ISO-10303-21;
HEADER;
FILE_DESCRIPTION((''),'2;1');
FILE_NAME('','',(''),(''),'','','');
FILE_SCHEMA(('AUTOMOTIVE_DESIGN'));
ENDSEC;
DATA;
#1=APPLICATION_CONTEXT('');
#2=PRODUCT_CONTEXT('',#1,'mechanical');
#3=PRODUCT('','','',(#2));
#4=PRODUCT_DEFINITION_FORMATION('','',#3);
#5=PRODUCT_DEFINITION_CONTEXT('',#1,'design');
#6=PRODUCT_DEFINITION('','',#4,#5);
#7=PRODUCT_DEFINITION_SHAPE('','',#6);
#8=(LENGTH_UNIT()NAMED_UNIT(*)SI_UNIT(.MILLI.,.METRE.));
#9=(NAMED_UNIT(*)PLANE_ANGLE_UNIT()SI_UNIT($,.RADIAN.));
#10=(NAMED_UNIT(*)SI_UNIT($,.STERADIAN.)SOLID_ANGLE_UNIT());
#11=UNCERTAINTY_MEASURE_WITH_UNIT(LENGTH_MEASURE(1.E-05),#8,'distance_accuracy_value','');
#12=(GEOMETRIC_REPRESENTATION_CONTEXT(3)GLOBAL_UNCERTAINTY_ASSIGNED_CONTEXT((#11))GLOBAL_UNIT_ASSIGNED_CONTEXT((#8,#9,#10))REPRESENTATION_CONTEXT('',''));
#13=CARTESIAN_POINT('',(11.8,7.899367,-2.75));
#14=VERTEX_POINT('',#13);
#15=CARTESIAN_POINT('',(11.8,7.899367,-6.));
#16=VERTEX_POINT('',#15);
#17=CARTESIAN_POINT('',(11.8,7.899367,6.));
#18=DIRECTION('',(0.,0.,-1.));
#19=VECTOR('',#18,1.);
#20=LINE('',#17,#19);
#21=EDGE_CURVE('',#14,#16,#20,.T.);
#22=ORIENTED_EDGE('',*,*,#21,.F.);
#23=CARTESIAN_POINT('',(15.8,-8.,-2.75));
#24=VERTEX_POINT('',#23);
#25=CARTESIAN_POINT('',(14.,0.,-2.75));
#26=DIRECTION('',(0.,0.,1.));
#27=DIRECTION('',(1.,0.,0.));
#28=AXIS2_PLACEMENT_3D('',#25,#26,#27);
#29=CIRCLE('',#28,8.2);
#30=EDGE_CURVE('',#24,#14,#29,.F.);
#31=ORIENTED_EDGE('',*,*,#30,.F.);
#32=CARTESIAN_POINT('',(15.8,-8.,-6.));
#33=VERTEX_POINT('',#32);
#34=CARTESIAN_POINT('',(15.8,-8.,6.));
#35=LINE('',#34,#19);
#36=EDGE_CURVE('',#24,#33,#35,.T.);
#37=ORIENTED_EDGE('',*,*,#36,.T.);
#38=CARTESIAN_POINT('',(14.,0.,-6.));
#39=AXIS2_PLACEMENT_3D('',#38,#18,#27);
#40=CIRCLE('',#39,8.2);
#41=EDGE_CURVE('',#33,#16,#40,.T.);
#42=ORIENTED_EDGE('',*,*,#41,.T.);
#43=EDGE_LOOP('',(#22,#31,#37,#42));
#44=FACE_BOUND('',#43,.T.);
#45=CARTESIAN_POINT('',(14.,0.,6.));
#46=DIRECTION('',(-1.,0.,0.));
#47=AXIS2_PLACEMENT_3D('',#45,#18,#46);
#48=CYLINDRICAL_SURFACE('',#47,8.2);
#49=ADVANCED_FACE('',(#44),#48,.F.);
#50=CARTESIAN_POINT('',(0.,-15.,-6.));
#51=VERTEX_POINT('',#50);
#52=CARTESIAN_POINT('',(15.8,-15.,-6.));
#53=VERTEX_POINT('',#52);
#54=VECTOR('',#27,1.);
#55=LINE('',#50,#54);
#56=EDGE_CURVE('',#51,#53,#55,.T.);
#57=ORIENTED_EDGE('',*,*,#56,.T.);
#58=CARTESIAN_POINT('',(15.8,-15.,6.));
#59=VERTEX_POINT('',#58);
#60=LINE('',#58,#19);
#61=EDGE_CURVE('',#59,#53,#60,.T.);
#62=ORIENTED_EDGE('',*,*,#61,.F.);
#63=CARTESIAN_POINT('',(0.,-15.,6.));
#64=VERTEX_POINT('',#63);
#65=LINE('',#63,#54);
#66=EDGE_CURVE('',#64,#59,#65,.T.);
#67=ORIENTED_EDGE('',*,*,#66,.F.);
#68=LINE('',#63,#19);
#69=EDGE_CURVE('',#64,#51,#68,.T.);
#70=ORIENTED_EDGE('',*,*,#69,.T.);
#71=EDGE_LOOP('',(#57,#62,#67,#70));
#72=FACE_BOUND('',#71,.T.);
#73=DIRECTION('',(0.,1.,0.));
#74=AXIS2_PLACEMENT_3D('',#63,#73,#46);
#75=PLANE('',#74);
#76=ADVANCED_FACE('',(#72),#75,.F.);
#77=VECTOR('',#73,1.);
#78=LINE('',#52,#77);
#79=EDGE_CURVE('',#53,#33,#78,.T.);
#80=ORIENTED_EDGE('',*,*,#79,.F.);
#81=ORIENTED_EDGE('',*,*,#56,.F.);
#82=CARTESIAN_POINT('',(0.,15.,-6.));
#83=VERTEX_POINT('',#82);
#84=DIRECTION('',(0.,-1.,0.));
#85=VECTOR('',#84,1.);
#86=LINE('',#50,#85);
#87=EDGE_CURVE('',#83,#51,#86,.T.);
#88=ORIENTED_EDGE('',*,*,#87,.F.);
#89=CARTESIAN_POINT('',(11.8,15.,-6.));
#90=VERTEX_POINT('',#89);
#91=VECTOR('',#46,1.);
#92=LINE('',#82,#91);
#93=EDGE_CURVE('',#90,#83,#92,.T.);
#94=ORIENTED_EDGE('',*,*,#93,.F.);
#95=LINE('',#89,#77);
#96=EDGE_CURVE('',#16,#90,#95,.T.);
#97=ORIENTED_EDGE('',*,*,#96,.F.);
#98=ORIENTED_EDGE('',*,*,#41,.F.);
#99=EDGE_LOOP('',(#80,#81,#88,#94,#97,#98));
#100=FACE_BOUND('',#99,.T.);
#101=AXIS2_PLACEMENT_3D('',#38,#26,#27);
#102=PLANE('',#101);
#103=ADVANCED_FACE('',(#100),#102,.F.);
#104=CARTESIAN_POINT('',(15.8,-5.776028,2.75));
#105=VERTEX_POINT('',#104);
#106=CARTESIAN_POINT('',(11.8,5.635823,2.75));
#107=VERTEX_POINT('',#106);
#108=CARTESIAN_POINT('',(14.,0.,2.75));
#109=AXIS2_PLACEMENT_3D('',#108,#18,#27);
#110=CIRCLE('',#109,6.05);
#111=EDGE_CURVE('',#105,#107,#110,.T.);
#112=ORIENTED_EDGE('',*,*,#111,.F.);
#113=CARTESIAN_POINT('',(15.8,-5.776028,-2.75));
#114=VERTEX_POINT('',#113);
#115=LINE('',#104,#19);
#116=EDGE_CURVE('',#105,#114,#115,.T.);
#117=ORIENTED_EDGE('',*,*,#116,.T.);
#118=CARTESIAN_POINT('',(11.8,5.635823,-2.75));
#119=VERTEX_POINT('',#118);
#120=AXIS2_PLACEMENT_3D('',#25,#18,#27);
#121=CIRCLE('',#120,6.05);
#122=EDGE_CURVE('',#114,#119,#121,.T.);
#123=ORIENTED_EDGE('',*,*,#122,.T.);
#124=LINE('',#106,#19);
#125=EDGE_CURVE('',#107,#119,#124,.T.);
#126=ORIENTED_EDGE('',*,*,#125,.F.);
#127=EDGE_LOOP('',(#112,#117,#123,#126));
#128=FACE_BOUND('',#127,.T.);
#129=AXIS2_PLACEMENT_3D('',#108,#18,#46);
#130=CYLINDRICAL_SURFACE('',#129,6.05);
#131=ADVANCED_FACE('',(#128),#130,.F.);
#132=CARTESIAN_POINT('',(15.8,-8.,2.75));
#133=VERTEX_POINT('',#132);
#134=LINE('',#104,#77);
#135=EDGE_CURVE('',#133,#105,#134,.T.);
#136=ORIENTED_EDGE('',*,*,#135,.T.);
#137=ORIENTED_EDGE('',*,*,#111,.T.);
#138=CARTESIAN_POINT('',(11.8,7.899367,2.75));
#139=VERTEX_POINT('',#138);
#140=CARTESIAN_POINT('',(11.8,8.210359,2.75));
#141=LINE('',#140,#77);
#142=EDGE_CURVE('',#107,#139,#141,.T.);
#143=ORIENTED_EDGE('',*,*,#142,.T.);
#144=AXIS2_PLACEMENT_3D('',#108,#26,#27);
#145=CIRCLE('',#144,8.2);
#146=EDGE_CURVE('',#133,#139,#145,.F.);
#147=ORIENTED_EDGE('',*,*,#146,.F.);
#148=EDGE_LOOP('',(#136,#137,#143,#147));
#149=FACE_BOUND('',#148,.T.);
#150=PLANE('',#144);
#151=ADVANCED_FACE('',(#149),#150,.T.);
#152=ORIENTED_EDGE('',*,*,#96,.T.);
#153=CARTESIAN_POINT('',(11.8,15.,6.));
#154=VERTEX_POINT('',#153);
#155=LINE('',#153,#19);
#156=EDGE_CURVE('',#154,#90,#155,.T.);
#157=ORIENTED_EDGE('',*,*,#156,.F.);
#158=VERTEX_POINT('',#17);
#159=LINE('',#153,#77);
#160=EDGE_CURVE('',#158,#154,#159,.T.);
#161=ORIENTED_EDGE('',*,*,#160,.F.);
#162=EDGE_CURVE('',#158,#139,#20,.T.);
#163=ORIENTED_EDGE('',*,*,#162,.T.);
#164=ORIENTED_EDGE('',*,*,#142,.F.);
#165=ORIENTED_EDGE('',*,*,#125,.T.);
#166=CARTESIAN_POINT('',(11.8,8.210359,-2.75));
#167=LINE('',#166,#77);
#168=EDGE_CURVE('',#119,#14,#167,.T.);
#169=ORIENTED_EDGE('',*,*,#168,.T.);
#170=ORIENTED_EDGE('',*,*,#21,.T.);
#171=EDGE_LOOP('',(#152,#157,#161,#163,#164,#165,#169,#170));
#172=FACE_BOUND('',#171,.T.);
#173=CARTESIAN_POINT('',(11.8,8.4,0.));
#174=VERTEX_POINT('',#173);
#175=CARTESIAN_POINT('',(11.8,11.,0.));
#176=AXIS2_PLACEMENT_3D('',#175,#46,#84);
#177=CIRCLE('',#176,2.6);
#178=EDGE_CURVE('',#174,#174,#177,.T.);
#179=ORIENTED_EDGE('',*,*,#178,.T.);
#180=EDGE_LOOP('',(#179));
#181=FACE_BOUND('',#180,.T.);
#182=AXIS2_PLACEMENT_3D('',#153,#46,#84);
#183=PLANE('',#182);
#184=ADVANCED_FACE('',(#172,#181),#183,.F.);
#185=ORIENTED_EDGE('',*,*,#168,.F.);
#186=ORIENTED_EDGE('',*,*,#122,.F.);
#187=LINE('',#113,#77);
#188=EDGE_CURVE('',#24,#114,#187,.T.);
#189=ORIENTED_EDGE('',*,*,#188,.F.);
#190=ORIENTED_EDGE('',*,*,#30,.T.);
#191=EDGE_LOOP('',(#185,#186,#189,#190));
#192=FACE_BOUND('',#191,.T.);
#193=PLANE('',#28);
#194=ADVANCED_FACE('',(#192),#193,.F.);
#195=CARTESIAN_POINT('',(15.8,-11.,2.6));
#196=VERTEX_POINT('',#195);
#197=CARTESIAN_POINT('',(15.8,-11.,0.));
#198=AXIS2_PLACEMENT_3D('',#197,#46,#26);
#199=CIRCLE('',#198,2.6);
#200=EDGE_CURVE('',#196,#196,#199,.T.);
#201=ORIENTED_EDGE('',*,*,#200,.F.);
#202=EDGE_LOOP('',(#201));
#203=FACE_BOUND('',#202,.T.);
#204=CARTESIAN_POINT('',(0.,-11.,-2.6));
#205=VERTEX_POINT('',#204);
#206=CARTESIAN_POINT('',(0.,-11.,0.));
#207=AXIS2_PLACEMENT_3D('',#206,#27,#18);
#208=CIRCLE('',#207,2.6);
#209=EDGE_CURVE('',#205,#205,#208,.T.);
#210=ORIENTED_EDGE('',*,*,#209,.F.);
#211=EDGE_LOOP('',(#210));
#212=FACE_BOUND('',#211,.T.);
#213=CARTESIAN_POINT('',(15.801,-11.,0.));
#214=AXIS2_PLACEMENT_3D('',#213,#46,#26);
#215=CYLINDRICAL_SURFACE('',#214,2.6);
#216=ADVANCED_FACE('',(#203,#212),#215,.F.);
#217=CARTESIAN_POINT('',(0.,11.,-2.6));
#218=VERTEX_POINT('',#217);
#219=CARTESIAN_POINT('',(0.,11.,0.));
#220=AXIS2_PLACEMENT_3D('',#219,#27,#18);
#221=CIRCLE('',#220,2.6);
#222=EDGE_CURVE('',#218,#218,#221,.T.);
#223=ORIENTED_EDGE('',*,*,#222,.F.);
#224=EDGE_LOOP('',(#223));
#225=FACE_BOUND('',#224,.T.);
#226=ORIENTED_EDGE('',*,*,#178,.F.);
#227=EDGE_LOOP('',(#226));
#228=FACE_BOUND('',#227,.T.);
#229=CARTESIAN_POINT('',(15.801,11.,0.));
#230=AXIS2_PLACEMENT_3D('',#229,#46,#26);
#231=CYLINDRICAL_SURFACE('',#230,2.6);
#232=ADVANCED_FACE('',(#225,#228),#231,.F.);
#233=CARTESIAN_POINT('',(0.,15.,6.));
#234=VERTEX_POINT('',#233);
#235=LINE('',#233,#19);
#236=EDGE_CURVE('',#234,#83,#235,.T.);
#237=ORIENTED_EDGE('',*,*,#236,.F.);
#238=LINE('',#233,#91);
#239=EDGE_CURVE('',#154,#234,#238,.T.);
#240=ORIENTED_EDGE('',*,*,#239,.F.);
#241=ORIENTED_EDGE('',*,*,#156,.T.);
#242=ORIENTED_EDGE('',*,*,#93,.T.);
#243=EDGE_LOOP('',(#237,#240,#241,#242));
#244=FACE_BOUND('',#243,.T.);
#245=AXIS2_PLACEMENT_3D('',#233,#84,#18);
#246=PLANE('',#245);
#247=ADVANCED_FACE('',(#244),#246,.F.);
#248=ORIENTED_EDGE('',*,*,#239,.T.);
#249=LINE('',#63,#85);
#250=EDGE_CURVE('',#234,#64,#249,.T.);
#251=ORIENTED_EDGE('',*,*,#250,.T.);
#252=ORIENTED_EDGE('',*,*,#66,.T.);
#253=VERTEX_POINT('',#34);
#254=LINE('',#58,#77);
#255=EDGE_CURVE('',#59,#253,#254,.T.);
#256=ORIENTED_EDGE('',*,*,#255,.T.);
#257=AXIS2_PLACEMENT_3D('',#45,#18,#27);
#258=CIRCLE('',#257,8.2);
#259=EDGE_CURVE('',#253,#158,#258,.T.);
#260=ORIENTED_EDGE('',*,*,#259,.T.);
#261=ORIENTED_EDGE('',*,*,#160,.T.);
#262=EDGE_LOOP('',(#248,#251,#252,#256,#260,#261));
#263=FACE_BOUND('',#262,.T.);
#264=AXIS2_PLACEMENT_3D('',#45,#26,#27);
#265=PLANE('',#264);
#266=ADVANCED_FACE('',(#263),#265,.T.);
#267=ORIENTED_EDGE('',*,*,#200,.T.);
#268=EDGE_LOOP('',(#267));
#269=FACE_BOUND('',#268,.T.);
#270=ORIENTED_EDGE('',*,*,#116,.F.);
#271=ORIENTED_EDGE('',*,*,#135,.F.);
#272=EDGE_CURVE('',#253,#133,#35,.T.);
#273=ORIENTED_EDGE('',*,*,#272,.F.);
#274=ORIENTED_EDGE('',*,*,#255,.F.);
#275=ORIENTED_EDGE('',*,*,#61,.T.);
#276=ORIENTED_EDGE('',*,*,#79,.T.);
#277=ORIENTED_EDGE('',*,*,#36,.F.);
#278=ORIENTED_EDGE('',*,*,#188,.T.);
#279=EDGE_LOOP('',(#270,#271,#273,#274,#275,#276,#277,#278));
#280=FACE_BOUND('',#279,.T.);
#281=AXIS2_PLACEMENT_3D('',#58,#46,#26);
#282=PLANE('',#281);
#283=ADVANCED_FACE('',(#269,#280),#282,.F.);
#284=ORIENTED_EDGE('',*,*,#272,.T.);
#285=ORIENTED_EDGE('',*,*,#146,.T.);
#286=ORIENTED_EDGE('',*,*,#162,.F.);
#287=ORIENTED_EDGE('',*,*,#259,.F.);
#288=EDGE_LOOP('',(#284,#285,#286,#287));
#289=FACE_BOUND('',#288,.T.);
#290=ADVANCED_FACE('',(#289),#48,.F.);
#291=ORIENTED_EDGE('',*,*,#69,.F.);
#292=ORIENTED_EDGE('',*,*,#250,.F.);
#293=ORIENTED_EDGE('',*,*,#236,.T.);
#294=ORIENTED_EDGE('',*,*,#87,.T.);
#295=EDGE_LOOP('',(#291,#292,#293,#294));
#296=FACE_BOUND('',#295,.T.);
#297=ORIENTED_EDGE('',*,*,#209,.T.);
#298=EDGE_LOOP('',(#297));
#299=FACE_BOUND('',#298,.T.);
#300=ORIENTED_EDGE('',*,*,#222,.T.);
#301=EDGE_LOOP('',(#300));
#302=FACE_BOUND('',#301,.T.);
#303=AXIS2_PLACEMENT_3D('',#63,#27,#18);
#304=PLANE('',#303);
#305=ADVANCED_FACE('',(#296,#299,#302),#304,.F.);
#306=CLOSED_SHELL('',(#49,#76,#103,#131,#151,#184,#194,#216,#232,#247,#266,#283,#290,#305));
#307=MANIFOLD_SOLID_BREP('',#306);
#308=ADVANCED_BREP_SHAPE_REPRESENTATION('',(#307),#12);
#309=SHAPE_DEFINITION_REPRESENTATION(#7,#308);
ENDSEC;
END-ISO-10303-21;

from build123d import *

# Parameters (mm, degrees)
BOSS_EXTRUDE2_DEPTH = 6
BOSS_EXTRUDE3_DEPTH = 2.75
CUT_EXTRUDE1_REACH  = 24.597
SKETCH5_R           = 2.6


with BuildPart() as part:
    # Sketch3 → Boss-Extrude2 (new, symmetric)
    with BuildSketch(Plane.XY):
        with BuildLine():
            Line((0, -15), (0, 15))
            Line((0, 15), (11.8, 15))
            Line((11.8, 15), (11.8, 7.899367063))
            ThreePointArc((11.8, 7.899367063), (6.047801043, -2.000632837), (15.8, -8))
            Line((15.8, -8), (15.8, -15))
            Line((15.8, -15), (0, -15))
        make_face()
    extrude(amount=BOSS_EXTRUDE2_DEPTH, both=True)

    # Sketch4 → Boss-Extrude3 (add, symmetric)
    with BuildSketch(Plane.XY):
        with BuildLine():
            Line((11.8, 8.21035931), (11.8, 5.635822921))
            ThreePointArc((11.8, 5.635822921), (8.290570464, -2.001228215), (15.8, -5.776028047))
            Line((15.8, -5.776028047), (15.8, -8.30722577))
            ThreePointArc((15.8, -8.30722577), (5.738786153, -2.000586358), (11.8, 8.21035931))
        make_face()
    extrude(amount=BOSS_EXTRUDE3_DEPTH, both=True)

    # Sketch5 → Cut-Extrude1 (cut, up to next)
    with BuildSketch(Plane(origin=(0, 0, 0), x_dir=(0, 0, -1), z_dir=(1, 0, 0)), mode=Mode.PRIVATE) as cut_extrude1_sk1:
        with Locations(Location((0, 11, 0), (0, 0, 270))):
            Circle(SKETCH5_R)
    cut_extrude1_tool1 = extrude(cut_extrude1_sk1.sketch, amount=CUT_EXTRUDE1_REACH, mode=Mode.PRIVATE) & part.part
    # Sketch5 → Cut-Extrude1 (cut, up to next)
    with BuildSketch(Plane(origin=(0, 0, 0), x_dir=(0, 0, -1), z_dir=(1, 0, 0)), mode=Mode.PRIVATE) as cut_extrude1_sk2:
        with Locations(Location((0, -11, 0), (0, 0, 180))):
            Circle(SKETCH5_R)
    cut_extrude1_tool2 = extrude(cut_extrude1_sk2.sketch, amount=CUT_EXTRUDE1_REACH, mode=Mode.PRIVATE) & part.part
    add(cut_extrude1_tool1.solids().sort_by_distance((0, 11, 0))[0], mode=Mode.SUBTRACT)
    add(cut_extrude1_tool2.solids().sort_by_distance((0, -11, 0))[0], mode=Mode.SUBTRACT)


solid = part.part
